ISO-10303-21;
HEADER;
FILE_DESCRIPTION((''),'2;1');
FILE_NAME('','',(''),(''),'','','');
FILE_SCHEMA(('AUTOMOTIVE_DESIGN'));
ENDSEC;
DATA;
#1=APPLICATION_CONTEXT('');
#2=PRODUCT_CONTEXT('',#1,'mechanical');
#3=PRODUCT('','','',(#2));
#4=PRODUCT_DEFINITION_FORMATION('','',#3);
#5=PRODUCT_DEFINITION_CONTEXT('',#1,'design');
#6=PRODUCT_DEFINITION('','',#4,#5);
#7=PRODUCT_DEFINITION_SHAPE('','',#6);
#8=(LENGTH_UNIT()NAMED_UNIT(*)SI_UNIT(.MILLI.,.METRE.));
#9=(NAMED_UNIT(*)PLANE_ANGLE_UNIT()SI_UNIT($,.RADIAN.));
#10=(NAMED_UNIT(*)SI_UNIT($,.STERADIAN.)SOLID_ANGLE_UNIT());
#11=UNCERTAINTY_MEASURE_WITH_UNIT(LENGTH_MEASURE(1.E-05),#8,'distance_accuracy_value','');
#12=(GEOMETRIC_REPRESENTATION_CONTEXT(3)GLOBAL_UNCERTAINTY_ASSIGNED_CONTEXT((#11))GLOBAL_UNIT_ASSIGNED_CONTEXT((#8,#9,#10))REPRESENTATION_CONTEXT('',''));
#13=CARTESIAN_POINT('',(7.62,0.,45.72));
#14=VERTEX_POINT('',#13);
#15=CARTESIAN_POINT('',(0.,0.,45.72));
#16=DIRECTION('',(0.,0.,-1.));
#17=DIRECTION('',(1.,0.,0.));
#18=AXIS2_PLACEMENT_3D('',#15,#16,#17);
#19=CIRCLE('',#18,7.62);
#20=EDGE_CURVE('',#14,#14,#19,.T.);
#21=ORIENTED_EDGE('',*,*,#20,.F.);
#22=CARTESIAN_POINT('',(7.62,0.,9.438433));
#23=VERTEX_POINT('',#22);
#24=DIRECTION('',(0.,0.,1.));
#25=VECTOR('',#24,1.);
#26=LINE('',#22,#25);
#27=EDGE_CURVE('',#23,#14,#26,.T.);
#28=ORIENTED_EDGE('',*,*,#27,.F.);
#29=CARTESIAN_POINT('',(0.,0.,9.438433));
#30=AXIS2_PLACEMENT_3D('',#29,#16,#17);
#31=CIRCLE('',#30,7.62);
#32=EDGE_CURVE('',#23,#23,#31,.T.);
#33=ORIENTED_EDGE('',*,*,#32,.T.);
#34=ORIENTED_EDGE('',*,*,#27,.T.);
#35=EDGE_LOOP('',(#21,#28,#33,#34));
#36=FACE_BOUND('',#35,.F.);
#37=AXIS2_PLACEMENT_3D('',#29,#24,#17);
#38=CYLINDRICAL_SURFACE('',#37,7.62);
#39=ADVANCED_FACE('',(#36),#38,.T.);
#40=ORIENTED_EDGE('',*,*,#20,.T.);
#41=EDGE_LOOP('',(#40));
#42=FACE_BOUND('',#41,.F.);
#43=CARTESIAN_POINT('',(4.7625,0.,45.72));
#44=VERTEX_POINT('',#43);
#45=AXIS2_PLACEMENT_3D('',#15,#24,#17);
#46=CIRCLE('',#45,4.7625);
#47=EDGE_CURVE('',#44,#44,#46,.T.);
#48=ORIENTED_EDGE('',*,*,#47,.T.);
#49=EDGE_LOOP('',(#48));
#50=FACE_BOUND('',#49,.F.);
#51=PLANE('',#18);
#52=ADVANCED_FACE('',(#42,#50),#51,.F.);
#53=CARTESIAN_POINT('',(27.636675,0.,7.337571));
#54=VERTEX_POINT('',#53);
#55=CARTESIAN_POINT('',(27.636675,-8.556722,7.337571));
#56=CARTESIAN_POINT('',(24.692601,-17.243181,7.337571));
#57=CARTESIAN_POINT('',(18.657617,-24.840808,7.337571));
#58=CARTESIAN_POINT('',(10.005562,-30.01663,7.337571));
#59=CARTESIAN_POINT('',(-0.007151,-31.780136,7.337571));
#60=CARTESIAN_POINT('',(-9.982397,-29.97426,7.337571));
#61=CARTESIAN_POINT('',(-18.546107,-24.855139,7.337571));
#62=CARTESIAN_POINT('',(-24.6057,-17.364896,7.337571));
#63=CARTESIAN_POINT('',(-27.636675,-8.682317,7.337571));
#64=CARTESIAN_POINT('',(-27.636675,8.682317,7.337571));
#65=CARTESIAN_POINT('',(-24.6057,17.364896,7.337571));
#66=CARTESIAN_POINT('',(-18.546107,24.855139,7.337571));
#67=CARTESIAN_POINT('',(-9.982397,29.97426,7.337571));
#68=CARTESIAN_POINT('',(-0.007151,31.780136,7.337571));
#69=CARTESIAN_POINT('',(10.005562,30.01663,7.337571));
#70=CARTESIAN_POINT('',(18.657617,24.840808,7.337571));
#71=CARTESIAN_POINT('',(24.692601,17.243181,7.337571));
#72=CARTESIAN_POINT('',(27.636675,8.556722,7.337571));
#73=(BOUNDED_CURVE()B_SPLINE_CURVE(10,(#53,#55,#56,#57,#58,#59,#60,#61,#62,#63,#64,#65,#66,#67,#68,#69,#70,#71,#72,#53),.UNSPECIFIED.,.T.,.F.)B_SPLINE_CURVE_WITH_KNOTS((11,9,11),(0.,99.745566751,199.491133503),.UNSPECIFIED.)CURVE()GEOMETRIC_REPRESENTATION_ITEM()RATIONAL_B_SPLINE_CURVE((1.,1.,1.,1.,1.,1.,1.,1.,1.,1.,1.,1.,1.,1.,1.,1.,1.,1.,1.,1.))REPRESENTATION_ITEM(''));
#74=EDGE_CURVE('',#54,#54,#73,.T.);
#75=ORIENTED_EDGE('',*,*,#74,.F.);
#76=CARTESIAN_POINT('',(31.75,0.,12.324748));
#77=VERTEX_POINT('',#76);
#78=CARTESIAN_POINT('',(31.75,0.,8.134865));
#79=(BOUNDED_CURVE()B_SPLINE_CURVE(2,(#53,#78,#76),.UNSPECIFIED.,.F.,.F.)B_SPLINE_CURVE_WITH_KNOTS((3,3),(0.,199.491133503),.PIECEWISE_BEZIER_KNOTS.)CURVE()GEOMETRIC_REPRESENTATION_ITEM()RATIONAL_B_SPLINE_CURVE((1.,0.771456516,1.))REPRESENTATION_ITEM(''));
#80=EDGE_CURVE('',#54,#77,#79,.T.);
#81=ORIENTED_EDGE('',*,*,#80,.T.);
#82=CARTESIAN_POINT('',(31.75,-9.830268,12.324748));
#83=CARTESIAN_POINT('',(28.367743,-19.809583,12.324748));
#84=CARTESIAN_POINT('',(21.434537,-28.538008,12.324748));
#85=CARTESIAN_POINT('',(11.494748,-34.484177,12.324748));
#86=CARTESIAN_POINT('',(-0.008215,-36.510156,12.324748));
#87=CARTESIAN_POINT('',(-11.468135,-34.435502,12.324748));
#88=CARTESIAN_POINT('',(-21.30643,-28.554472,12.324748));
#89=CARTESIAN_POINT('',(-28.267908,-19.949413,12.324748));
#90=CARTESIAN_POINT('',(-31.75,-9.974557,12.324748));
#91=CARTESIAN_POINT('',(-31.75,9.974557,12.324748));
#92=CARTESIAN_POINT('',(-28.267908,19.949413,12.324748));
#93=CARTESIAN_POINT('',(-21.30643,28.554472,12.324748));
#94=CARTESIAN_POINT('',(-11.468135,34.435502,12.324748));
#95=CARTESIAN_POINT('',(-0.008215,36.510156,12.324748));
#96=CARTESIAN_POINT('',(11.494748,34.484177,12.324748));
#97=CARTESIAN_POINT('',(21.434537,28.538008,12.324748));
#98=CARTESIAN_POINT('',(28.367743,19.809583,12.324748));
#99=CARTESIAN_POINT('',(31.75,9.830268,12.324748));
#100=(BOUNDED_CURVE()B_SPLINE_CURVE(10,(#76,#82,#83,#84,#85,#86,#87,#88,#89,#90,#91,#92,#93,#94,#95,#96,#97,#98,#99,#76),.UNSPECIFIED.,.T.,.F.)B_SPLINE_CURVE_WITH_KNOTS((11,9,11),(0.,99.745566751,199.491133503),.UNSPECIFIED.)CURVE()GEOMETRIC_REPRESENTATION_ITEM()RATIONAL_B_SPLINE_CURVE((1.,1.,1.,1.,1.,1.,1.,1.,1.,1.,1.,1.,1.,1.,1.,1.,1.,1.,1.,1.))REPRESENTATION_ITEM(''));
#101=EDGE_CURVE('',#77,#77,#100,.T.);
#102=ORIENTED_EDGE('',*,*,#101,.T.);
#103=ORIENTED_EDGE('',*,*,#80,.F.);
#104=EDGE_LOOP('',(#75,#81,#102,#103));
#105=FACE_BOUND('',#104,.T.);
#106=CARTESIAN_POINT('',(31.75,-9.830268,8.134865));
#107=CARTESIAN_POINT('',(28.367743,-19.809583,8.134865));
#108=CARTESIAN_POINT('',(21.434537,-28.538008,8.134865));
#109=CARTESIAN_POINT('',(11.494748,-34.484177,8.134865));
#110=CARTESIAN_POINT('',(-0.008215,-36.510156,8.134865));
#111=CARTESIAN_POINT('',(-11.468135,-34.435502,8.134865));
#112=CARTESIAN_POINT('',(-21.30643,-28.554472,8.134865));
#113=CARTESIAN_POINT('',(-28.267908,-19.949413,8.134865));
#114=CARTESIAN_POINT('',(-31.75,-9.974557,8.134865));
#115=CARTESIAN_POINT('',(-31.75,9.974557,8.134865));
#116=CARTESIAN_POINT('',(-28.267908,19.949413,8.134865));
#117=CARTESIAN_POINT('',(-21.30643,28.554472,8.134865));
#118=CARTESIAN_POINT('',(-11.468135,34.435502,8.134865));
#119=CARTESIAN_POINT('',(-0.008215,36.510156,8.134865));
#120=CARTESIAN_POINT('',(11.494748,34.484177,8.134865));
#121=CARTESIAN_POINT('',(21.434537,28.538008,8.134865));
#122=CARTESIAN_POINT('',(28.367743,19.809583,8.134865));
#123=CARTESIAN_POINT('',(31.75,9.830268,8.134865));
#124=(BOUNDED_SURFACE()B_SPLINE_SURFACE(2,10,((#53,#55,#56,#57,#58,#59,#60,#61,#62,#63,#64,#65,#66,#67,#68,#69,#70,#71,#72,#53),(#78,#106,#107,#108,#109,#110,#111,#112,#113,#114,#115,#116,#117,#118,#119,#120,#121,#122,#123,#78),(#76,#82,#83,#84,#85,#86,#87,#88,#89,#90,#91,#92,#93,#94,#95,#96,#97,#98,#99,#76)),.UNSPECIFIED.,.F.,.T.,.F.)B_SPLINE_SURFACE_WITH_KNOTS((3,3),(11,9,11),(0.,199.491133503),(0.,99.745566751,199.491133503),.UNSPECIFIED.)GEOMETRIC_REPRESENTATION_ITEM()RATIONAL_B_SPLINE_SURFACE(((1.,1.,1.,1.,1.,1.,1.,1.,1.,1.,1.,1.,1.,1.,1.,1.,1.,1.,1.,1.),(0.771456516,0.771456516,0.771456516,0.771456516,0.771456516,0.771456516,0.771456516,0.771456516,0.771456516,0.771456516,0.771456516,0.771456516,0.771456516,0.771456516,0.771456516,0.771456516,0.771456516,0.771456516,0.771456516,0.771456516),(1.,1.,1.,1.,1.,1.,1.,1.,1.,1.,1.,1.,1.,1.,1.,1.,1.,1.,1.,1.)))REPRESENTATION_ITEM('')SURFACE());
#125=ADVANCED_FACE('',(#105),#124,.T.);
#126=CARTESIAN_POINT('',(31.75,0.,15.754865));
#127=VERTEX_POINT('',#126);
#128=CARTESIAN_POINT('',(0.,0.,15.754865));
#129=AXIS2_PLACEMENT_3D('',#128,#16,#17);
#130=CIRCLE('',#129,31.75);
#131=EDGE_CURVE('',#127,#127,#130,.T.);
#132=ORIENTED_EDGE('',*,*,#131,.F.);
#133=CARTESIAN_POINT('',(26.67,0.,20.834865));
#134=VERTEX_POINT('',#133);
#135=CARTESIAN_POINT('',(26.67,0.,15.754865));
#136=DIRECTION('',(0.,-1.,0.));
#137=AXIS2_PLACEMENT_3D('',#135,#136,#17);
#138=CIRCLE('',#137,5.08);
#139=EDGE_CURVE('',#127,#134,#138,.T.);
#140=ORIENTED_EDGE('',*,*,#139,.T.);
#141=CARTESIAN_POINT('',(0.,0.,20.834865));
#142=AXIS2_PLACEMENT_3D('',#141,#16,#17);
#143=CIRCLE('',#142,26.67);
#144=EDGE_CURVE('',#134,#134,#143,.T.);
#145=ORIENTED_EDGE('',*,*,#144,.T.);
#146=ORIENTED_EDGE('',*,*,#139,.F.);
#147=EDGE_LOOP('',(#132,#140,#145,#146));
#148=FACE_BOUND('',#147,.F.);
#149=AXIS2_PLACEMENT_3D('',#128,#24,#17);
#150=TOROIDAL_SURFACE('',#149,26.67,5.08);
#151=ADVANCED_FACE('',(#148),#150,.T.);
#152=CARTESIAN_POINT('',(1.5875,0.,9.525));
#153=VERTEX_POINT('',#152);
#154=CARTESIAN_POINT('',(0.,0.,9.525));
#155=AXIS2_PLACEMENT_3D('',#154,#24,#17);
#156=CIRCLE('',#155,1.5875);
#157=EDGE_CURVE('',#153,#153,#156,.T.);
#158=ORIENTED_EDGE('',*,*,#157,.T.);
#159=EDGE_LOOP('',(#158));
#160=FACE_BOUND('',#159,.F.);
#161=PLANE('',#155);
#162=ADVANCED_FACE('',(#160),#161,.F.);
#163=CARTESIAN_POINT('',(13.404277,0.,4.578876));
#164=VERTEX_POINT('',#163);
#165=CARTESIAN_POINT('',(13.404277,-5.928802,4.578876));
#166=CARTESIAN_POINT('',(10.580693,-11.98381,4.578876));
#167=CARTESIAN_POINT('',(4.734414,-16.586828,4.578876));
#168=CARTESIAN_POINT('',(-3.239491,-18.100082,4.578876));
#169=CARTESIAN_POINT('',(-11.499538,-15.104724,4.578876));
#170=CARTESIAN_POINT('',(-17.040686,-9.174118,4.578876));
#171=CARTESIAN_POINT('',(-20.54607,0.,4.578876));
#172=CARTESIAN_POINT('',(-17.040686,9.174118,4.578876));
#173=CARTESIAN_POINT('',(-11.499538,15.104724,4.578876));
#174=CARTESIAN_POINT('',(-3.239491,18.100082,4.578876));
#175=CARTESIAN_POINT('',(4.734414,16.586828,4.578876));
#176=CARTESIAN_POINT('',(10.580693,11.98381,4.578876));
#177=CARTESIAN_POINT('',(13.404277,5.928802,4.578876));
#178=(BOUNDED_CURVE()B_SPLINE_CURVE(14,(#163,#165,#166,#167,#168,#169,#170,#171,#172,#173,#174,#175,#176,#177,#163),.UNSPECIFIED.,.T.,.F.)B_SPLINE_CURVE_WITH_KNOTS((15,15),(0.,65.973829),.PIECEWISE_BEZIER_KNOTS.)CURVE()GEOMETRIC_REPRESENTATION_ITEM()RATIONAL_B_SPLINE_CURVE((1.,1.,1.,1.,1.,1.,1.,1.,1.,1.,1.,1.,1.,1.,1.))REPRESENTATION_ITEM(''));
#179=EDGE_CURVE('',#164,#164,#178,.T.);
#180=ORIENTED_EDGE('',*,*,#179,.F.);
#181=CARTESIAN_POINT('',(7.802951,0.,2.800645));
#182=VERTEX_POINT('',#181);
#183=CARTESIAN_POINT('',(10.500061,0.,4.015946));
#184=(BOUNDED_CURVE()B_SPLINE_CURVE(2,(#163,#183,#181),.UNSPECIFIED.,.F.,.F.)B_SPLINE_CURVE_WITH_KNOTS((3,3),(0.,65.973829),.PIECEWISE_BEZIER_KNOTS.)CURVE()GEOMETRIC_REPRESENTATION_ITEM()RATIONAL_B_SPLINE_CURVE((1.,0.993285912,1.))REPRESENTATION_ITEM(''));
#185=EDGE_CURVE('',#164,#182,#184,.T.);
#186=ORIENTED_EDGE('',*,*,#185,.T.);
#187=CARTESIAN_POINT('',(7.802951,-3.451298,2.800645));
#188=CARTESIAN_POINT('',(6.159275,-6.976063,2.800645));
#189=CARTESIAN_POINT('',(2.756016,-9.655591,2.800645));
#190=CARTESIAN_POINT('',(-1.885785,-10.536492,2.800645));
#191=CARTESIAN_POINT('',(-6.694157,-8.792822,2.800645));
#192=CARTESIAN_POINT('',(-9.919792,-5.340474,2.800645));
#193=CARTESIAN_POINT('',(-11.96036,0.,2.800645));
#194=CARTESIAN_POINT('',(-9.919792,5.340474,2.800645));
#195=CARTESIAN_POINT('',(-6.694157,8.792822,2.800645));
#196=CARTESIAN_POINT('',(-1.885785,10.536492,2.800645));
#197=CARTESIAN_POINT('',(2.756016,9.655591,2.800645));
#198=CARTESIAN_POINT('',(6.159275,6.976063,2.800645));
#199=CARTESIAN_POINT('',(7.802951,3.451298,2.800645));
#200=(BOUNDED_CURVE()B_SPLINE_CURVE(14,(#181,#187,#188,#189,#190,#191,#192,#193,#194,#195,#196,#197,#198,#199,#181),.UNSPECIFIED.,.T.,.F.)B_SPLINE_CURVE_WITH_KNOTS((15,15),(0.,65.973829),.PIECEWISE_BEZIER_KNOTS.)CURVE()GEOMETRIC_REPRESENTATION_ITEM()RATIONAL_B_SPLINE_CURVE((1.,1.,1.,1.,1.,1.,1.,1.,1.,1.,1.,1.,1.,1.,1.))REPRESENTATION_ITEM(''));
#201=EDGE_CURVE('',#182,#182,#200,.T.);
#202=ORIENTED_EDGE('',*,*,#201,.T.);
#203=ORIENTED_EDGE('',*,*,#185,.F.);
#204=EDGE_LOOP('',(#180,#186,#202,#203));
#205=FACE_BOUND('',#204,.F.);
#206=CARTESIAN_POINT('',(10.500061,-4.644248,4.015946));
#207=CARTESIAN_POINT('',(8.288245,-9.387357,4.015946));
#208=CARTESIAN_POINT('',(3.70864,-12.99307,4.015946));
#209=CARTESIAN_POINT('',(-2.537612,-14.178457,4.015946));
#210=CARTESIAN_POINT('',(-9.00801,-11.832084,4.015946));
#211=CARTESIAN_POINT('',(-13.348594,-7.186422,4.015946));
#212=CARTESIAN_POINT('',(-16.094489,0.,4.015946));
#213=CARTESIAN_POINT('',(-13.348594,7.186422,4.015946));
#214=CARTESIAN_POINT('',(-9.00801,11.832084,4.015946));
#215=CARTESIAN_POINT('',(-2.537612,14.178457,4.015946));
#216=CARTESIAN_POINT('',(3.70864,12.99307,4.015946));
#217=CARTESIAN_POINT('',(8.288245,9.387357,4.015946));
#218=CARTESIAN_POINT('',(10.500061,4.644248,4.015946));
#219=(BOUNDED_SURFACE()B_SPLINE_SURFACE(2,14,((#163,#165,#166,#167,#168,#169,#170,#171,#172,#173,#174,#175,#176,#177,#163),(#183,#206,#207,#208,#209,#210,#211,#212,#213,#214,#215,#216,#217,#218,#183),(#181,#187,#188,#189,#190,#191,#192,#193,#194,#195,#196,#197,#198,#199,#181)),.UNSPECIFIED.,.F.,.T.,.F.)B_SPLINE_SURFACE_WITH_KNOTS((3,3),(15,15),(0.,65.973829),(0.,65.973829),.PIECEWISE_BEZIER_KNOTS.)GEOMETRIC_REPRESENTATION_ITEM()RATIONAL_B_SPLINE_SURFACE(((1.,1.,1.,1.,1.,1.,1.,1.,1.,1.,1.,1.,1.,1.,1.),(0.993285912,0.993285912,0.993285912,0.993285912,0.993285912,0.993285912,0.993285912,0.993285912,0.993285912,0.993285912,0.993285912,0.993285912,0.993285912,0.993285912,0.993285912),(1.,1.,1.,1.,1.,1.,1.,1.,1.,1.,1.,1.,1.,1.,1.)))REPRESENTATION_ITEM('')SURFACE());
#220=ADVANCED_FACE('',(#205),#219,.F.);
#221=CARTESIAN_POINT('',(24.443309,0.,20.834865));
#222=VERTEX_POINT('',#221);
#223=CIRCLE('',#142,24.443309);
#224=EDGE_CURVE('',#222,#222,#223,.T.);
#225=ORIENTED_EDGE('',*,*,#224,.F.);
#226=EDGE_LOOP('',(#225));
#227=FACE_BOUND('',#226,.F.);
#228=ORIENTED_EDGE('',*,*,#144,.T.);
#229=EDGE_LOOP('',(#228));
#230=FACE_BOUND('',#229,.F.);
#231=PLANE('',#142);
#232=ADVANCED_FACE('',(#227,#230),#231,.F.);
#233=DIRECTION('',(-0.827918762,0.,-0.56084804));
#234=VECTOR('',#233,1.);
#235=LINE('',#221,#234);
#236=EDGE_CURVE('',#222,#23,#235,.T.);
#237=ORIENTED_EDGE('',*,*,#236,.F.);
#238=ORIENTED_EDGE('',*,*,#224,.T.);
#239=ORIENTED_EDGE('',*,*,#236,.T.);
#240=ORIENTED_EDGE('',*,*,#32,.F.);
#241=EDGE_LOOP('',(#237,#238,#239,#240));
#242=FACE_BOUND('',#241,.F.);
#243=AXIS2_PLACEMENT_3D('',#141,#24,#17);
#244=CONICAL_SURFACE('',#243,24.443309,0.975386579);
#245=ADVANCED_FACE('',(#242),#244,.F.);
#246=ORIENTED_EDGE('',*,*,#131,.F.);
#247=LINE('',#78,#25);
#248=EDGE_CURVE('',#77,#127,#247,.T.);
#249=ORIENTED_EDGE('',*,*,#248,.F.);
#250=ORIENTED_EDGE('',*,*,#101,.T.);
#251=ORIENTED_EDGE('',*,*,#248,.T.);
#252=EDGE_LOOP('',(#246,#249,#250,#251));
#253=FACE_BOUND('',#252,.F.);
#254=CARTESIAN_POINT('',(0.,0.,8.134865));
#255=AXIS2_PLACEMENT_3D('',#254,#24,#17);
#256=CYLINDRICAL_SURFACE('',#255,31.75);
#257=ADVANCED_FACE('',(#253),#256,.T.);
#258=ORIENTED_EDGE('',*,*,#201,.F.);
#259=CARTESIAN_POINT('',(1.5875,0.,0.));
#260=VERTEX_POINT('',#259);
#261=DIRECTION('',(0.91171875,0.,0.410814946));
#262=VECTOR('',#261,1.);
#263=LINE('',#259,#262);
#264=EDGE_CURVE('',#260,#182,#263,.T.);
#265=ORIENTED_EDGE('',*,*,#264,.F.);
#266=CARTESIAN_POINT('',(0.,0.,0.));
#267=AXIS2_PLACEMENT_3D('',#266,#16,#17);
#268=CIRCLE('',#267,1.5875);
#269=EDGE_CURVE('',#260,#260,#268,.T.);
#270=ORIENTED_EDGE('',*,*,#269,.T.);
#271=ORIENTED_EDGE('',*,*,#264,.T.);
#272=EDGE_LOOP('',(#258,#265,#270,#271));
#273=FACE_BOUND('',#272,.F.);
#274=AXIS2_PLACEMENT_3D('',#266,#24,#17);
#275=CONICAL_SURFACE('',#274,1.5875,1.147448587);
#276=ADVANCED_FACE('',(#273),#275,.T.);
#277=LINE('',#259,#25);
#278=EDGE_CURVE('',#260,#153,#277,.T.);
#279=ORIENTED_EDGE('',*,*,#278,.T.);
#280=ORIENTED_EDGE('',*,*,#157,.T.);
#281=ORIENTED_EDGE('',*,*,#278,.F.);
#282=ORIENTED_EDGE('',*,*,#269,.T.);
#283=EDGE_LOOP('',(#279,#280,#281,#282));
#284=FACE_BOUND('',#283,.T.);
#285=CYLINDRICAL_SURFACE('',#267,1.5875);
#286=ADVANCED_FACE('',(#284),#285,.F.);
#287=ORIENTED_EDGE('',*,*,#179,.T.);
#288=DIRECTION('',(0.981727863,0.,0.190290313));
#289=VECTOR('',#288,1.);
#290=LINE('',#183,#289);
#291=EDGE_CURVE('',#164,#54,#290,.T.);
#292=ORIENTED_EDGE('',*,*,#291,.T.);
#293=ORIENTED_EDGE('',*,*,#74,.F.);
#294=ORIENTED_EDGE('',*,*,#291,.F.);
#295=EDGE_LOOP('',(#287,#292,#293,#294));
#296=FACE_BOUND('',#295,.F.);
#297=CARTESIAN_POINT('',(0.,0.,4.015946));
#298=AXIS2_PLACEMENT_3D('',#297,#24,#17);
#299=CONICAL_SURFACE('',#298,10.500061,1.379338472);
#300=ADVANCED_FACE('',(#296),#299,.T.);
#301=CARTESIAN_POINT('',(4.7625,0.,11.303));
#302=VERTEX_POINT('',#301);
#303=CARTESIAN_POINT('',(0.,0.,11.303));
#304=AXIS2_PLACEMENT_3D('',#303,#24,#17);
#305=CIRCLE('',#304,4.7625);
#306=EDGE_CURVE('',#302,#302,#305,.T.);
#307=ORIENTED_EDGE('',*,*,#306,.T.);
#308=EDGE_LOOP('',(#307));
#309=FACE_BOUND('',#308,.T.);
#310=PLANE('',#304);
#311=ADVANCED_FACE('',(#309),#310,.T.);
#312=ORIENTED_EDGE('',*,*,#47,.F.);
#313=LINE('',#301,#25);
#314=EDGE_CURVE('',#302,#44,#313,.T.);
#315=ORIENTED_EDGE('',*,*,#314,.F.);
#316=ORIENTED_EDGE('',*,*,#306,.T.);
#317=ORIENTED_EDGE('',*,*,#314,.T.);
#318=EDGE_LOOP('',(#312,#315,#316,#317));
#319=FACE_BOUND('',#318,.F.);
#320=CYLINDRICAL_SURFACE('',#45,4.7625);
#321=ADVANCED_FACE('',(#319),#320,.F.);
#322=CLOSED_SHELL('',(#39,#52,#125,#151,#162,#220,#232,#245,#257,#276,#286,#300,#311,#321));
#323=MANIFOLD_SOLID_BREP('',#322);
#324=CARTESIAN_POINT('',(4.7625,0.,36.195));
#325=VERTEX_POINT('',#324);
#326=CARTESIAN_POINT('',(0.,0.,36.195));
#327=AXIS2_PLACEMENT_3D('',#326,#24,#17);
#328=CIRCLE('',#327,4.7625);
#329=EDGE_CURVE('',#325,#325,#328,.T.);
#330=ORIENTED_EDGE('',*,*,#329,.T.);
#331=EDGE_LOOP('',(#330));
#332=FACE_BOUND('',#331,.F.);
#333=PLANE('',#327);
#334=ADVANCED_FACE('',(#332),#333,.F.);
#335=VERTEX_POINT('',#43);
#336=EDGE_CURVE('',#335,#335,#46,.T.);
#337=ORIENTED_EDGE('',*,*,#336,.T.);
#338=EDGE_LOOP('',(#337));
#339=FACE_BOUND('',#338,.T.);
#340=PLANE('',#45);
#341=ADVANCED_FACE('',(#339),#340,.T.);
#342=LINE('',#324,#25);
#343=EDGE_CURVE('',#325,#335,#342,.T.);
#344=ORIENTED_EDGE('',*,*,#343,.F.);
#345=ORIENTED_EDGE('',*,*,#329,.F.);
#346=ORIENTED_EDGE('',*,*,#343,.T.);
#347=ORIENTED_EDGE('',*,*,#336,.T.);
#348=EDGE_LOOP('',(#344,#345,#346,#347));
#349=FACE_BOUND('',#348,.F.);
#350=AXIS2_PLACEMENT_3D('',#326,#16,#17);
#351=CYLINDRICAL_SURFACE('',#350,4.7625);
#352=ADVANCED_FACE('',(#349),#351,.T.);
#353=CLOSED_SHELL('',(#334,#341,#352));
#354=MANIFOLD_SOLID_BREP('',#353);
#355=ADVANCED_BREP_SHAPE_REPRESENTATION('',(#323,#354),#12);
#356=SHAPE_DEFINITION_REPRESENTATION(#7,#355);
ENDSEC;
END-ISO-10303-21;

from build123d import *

# Parameters (mm, degrees)
F2_R      = 5.08
F3_R      = 25.4
F4_R      = 4.7625
F5_DEPTH  = 9.525
F6_R      = 1.5875
F7_DEPTH  = 9.525
F5_FACE_R = 4.7625
F8_DEPTH  = 9.525
F9_DEPTH  = 24.892


with BuildPart() as f1:
    # F0 (on Front) → F1 (revolve)
    with BuildSketch(Plane.XZ):
        Polygon((10.500061, 4.015946), (31.75, 8.134865), (31.75, 20.834865), (24.443309, 20.834865), (7.62, 9.438433), (7.62, 45.72), (0, 45.72), (0, 0), (1.5875, 0), align=None)
    revolve(axis=Axis((0, 0, 22.86), (0, 0, -1)))

    # F2
    f2_edges = [f1.edges().sort_by_distance(p)[0] for p in [
        (-31.75, 0, 8.134865),
        (-31.75, 0, 20.834865),
        (31.75, 0, 14.484865),
    ]]
    fillet(f2_edges, radius=F2_R)

    # F3
    f3_edges = [f1.edges().sort_by_distance(p)[0] for p in [
        (-10.500061, 0, 4.015946),
    ]]
    fillet(f3_edges, radius=F3_R)

    # F4 (on face) → F5 (cut)
    with BuildSketch(Plane.XY.offset(45.72)):
        Circle(F4_R)
    extrude(amount=-F5_DEPTH, mode=Mode.SUBTRACT)

    # F6 (on Top) → F7 (cut)
    with BuildSketch(Plane.XY):
        Circle(F6_R)
    extrude(amount=F7_DEPTH, mode=Mode.SUBTRACT)

    # F5_face (on face) → F9 (cut)
    with BuildSketch(Plane.XY.offset(36.195)):
        Circle(F5_FACE_R)
    extrude(amount=-F9_DEPTH, mode=Mode.SUBTRACT)


with BuildPart() as f8:
    # F5_face (on face) → F8 (new body)
    with BuildSketch(Plane.XY.offset(36.195)):
        Circle(F5_FACE_R)
    extrude(amount=F8_DEPTH)


solid = Compound([f1.part, f8.part])
